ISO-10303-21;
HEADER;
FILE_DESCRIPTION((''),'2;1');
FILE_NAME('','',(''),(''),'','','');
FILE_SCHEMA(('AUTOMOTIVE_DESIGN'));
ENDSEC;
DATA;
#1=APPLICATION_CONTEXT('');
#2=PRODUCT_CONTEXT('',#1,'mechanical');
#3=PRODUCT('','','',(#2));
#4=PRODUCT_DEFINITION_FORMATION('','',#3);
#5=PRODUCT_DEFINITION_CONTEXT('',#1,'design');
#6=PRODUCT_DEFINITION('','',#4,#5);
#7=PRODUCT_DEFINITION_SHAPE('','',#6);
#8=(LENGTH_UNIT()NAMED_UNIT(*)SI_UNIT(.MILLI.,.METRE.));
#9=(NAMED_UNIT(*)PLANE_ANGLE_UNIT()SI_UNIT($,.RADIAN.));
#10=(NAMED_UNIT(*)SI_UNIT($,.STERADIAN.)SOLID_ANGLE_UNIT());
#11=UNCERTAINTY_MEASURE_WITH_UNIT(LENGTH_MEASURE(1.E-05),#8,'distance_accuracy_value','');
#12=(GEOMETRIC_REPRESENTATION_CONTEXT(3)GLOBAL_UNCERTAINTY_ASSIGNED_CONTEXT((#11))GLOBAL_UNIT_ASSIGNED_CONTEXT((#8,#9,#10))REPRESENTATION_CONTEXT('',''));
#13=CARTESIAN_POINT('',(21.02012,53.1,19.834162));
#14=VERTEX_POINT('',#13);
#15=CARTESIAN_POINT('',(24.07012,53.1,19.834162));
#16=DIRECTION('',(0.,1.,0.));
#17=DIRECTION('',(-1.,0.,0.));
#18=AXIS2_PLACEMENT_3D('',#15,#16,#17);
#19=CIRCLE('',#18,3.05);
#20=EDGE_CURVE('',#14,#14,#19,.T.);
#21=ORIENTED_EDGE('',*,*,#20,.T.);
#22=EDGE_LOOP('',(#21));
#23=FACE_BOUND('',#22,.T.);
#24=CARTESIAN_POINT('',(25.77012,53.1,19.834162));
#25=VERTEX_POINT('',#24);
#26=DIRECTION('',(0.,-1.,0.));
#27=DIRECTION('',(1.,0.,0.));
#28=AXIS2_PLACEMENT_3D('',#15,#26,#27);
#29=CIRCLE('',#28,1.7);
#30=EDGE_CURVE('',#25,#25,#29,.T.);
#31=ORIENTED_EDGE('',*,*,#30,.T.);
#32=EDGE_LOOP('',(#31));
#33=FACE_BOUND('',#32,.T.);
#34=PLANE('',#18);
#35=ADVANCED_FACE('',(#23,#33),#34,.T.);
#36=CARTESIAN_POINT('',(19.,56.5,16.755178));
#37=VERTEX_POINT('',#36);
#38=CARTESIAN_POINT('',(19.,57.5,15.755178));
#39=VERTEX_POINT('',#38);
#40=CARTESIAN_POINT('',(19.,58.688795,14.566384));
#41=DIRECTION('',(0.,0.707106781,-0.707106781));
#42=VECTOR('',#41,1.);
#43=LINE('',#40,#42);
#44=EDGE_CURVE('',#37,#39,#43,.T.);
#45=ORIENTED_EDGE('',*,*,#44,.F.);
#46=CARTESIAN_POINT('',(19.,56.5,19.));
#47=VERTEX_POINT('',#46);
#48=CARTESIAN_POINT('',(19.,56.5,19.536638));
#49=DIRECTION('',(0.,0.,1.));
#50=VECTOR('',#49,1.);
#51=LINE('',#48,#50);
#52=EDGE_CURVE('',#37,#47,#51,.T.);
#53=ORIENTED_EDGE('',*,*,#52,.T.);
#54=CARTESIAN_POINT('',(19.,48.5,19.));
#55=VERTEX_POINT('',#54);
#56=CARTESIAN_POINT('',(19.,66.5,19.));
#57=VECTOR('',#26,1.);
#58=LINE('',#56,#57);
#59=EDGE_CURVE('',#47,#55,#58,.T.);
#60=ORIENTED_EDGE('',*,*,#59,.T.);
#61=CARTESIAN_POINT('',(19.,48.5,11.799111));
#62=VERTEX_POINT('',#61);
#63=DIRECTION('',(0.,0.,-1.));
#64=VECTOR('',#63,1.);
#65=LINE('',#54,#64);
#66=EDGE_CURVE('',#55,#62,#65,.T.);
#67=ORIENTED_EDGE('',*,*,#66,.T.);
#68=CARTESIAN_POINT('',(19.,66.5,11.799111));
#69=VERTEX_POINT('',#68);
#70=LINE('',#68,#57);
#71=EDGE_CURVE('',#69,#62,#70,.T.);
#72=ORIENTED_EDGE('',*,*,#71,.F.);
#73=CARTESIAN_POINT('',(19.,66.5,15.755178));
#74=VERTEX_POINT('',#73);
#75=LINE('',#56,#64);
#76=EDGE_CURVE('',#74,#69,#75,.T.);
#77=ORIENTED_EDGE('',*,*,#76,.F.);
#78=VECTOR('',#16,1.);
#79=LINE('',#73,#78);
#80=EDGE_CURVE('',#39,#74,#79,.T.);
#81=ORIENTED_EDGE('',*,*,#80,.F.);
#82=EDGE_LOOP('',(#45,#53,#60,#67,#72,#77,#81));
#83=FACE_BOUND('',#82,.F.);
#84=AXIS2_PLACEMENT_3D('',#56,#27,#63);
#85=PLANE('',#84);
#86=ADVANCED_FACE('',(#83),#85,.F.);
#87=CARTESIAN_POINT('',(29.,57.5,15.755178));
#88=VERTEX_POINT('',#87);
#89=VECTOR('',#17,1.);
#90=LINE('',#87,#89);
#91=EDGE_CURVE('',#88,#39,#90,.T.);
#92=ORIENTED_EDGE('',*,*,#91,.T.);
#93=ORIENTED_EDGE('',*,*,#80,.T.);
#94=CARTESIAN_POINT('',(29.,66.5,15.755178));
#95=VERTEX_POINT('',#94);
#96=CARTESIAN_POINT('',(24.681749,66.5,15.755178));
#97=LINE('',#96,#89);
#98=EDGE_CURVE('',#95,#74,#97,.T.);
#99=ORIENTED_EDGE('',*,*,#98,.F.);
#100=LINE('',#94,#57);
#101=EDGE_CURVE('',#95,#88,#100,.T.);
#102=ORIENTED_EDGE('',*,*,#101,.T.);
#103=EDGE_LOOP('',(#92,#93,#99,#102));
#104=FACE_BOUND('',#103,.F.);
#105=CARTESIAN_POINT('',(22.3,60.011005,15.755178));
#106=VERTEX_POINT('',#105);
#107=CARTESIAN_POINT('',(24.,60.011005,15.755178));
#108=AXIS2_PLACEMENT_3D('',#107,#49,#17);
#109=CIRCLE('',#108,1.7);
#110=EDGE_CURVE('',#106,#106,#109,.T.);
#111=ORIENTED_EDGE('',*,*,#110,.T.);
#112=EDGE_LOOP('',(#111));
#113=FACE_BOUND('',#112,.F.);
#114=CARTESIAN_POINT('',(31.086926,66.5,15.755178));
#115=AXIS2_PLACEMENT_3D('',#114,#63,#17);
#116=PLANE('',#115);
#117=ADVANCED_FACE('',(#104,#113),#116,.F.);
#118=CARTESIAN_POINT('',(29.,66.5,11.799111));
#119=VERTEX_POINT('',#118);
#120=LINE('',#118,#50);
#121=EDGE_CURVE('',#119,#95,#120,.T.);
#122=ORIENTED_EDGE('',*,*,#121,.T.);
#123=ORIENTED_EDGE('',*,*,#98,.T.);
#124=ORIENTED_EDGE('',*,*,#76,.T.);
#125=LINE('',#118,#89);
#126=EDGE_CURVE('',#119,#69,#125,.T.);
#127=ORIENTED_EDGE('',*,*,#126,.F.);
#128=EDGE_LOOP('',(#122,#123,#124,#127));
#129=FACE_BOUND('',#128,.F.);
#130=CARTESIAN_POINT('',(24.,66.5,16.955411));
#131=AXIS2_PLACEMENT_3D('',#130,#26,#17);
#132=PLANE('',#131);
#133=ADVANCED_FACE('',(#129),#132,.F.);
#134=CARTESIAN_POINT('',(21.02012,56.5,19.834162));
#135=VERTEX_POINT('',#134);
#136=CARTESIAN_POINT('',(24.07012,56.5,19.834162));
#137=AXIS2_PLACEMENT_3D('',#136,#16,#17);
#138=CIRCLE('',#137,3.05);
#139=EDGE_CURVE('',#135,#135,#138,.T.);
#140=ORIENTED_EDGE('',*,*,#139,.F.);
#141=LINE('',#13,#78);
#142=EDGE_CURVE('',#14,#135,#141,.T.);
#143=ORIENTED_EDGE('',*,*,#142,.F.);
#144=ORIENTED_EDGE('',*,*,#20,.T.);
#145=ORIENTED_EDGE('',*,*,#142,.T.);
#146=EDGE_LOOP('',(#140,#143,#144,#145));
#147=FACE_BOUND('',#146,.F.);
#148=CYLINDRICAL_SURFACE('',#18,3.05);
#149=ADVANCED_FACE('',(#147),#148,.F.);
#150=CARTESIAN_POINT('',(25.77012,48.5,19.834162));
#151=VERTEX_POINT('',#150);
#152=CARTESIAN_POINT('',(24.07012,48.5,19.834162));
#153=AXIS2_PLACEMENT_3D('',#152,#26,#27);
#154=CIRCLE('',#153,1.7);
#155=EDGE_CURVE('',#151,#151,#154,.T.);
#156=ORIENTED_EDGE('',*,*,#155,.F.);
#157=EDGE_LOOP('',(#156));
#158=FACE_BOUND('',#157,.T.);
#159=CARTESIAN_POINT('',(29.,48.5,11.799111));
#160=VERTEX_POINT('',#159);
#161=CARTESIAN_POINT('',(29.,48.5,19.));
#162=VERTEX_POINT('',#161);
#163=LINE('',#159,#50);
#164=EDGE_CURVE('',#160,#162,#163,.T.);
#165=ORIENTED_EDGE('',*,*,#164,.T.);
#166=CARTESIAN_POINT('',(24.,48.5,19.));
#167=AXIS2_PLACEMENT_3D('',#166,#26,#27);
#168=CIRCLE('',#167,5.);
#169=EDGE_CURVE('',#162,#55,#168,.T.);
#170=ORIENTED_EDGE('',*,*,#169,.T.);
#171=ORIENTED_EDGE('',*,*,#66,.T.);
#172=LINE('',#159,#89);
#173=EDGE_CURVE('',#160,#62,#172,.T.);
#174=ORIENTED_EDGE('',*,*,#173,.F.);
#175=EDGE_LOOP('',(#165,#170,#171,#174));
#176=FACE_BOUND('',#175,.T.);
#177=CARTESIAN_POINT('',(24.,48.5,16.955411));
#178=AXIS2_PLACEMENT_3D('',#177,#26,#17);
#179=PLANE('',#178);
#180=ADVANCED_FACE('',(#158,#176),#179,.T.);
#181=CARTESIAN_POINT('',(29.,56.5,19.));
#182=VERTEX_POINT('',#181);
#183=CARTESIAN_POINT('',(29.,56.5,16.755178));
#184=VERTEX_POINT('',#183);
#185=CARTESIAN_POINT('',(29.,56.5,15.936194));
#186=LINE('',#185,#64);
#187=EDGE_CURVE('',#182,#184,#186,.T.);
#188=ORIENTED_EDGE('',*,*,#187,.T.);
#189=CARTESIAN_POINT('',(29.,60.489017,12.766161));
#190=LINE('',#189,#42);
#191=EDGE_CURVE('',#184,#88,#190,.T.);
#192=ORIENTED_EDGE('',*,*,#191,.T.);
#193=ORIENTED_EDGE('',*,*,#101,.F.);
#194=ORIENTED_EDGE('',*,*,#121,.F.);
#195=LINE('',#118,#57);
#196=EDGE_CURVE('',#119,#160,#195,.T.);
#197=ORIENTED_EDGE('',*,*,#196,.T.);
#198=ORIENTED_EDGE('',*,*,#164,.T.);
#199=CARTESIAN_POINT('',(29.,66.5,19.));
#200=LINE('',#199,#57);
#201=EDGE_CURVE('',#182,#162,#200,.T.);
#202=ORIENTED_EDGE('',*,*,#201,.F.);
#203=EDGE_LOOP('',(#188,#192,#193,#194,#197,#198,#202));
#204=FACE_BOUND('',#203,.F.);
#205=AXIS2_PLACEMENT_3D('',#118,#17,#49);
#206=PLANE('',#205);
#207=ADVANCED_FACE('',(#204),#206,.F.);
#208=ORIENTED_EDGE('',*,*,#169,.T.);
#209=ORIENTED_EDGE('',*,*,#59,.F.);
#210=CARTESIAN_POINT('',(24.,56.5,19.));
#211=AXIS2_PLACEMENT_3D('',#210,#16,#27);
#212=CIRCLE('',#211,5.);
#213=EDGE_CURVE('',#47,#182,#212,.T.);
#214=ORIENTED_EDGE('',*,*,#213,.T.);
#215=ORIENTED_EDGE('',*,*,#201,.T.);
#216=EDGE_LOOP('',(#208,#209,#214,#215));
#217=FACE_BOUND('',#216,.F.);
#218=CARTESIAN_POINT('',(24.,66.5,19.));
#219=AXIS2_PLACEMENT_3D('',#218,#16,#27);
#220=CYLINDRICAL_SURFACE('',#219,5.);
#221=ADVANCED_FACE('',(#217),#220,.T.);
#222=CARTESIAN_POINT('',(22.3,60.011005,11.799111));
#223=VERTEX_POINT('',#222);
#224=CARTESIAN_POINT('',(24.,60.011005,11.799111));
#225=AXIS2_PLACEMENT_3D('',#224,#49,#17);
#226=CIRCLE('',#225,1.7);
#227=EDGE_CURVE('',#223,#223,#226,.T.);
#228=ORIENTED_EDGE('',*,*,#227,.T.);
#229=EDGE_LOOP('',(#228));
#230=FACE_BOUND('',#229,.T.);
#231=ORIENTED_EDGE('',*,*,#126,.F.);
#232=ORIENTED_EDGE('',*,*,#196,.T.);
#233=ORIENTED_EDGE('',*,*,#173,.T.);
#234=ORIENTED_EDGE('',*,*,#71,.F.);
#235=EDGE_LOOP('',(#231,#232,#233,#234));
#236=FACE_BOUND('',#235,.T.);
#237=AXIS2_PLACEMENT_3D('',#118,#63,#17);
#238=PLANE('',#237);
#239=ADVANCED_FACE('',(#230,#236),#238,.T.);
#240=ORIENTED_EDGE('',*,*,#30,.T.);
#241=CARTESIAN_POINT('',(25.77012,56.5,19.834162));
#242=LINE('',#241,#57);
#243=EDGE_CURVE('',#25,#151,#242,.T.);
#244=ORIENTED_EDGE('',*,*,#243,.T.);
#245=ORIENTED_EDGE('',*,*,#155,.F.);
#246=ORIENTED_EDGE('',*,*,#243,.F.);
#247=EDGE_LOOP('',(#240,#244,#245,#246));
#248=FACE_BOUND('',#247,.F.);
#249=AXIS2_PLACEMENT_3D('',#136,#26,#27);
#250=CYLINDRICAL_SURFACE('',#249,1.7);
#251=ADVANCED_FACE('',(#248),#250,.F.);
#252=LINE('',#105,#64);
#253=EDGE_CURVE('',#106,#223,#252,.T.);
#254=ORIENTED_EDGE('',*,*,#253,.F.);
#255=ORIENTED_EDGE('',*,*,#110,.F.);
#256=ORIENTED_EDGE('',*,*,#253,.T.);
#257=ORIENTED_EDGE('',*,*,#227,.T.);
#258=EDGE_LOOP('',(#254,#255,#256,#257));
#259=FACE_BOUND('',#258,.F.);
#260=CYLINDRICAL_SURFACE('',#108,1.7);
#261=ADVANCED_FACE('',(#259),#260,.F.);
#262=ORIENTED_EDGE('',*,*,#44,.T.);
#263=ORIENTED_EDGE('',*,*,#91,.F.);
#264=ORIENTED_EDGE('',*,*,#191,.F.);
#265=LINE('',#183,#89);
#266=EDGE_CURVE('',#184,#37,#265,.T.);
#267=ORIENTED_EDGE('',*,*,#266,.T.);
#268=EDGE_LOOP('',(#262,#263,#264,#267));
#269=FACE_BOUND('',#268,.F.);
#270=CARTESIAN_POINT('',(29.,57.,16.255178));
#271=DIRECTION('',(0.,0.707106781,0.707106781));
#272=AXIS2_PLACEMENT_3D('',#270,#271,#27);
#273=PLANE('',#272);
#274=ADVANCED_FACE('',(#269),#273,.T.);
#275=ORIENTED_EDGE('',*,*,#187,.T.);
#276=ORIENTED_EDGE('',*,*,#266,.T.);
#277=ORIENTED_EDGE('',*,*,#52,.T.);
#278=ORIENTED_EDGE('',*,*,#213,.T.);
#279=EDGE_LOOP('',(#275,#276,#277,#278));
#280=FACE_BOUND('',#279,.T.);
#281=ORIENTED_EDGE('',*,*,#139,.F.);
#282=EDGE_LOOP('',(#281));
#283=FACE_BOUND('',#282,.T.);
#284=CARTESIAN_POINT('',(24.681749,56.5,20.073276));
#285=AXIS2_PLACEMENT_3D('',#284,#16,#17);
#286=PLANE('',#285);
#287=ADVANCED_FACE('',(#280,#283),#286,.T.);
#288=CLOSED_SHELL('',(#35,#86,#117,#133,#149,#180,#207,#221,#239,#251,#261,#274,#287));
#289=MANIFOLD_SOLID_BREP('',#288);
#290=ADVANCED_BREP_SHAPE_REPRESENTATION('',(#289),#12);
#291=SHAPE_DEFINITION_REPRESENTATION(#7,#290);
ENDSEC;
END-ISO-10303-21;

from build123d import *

# Parameters (mm, degrees)
PAD020_DEPTH            = 18
SKETCH034_W             = 12.810354
SKETCH034_H             = 8.636197
POCKET003_DEPTH         = 10
HOLE007_D               = 3.4
HOLE007_DEPTH           = 25
HOLE007_CBORE_D         = 6.1
HOLE007_CBORE_DEPTH     = 3.4
SKETCH037_R             = 1.7
HOLE008_DEPTH           = 25
CHAMFER001_SIZE         = 1
BODY020_PLACEMENT_ANGLE = 180


with BuildPart() as part:
    # Sketch033 → Pad020 (new body)
    with BuildSketch(Plane.XZ):
        with BuildLine():
            ThreePointArc((-5, 0), (0, -5), (5, 0))
            Line((5, 0), (5, 7.200889))
            Line((-5, 7.200889), (5, 7.200889))
            Line((-5, 7.200889), (-5, 0))
        make_face()
    extrude(amount=PAD020_DEPTH)

    # Sketch034 (on Face5 of Pad020) → Pocket003 (cut)
    with BuildSketch(Plane(origin=(0, 0, 0), x_dir=(1, 0, 0), z_dir=(0, 1, 0))):
        with Locations((-0.681749, 1.0732765)):
            Rectangle(SKETCH034_W, SKETCH034_H)
    extrude(amount=-POCKET003_DEPTH, mode=Mode.SUBTRACT)

    # Hole007
    with Locations(Plane(origin=(0, -10, 0), x_dir=(1, 0, 0), z_dir=(0, 1, 0))):
        with Locations((-0.07012, 0.834162)):
            CounterBoreHole(HOLE007_D / 2, HOLE007_CBORE_D / 2, HOLE007_CBORE_DEPTH, depth=HOLE007_DEPTH)

    # Sketch037 (on Face6 of Hole007) → Hole008 (cut)
    with BuildSketch(Plane(origin=(0, 0, 3.244822), x_dir=(1, 0, 0), z_dir=(0, 0, -1))):
        with Locations((0, 6.488995)):
            Circle(SKETCH037_R)
    extrude(amount=-HOLE008_DEPTH, mode=Mode.SUBTRACT)

    # Chamfer001
    chamfer001_edges = [part.edges().sort_by_distance(p)[0] for p in [
        (0, -10, 3.244822),
    ]]
    chamfer(chamfer001_edges, length=CHAMFER001_SIZE)


with BuildPart() as part_1:
    # Body020 placement: moved
    add(part.part.moved(Location((24, 66.5, 19))).rotate(Axis((24, 66.5, 19), (0, 1, 0)), BODY020_PLACEMENT_ANGLE))


solid = part_1.part
